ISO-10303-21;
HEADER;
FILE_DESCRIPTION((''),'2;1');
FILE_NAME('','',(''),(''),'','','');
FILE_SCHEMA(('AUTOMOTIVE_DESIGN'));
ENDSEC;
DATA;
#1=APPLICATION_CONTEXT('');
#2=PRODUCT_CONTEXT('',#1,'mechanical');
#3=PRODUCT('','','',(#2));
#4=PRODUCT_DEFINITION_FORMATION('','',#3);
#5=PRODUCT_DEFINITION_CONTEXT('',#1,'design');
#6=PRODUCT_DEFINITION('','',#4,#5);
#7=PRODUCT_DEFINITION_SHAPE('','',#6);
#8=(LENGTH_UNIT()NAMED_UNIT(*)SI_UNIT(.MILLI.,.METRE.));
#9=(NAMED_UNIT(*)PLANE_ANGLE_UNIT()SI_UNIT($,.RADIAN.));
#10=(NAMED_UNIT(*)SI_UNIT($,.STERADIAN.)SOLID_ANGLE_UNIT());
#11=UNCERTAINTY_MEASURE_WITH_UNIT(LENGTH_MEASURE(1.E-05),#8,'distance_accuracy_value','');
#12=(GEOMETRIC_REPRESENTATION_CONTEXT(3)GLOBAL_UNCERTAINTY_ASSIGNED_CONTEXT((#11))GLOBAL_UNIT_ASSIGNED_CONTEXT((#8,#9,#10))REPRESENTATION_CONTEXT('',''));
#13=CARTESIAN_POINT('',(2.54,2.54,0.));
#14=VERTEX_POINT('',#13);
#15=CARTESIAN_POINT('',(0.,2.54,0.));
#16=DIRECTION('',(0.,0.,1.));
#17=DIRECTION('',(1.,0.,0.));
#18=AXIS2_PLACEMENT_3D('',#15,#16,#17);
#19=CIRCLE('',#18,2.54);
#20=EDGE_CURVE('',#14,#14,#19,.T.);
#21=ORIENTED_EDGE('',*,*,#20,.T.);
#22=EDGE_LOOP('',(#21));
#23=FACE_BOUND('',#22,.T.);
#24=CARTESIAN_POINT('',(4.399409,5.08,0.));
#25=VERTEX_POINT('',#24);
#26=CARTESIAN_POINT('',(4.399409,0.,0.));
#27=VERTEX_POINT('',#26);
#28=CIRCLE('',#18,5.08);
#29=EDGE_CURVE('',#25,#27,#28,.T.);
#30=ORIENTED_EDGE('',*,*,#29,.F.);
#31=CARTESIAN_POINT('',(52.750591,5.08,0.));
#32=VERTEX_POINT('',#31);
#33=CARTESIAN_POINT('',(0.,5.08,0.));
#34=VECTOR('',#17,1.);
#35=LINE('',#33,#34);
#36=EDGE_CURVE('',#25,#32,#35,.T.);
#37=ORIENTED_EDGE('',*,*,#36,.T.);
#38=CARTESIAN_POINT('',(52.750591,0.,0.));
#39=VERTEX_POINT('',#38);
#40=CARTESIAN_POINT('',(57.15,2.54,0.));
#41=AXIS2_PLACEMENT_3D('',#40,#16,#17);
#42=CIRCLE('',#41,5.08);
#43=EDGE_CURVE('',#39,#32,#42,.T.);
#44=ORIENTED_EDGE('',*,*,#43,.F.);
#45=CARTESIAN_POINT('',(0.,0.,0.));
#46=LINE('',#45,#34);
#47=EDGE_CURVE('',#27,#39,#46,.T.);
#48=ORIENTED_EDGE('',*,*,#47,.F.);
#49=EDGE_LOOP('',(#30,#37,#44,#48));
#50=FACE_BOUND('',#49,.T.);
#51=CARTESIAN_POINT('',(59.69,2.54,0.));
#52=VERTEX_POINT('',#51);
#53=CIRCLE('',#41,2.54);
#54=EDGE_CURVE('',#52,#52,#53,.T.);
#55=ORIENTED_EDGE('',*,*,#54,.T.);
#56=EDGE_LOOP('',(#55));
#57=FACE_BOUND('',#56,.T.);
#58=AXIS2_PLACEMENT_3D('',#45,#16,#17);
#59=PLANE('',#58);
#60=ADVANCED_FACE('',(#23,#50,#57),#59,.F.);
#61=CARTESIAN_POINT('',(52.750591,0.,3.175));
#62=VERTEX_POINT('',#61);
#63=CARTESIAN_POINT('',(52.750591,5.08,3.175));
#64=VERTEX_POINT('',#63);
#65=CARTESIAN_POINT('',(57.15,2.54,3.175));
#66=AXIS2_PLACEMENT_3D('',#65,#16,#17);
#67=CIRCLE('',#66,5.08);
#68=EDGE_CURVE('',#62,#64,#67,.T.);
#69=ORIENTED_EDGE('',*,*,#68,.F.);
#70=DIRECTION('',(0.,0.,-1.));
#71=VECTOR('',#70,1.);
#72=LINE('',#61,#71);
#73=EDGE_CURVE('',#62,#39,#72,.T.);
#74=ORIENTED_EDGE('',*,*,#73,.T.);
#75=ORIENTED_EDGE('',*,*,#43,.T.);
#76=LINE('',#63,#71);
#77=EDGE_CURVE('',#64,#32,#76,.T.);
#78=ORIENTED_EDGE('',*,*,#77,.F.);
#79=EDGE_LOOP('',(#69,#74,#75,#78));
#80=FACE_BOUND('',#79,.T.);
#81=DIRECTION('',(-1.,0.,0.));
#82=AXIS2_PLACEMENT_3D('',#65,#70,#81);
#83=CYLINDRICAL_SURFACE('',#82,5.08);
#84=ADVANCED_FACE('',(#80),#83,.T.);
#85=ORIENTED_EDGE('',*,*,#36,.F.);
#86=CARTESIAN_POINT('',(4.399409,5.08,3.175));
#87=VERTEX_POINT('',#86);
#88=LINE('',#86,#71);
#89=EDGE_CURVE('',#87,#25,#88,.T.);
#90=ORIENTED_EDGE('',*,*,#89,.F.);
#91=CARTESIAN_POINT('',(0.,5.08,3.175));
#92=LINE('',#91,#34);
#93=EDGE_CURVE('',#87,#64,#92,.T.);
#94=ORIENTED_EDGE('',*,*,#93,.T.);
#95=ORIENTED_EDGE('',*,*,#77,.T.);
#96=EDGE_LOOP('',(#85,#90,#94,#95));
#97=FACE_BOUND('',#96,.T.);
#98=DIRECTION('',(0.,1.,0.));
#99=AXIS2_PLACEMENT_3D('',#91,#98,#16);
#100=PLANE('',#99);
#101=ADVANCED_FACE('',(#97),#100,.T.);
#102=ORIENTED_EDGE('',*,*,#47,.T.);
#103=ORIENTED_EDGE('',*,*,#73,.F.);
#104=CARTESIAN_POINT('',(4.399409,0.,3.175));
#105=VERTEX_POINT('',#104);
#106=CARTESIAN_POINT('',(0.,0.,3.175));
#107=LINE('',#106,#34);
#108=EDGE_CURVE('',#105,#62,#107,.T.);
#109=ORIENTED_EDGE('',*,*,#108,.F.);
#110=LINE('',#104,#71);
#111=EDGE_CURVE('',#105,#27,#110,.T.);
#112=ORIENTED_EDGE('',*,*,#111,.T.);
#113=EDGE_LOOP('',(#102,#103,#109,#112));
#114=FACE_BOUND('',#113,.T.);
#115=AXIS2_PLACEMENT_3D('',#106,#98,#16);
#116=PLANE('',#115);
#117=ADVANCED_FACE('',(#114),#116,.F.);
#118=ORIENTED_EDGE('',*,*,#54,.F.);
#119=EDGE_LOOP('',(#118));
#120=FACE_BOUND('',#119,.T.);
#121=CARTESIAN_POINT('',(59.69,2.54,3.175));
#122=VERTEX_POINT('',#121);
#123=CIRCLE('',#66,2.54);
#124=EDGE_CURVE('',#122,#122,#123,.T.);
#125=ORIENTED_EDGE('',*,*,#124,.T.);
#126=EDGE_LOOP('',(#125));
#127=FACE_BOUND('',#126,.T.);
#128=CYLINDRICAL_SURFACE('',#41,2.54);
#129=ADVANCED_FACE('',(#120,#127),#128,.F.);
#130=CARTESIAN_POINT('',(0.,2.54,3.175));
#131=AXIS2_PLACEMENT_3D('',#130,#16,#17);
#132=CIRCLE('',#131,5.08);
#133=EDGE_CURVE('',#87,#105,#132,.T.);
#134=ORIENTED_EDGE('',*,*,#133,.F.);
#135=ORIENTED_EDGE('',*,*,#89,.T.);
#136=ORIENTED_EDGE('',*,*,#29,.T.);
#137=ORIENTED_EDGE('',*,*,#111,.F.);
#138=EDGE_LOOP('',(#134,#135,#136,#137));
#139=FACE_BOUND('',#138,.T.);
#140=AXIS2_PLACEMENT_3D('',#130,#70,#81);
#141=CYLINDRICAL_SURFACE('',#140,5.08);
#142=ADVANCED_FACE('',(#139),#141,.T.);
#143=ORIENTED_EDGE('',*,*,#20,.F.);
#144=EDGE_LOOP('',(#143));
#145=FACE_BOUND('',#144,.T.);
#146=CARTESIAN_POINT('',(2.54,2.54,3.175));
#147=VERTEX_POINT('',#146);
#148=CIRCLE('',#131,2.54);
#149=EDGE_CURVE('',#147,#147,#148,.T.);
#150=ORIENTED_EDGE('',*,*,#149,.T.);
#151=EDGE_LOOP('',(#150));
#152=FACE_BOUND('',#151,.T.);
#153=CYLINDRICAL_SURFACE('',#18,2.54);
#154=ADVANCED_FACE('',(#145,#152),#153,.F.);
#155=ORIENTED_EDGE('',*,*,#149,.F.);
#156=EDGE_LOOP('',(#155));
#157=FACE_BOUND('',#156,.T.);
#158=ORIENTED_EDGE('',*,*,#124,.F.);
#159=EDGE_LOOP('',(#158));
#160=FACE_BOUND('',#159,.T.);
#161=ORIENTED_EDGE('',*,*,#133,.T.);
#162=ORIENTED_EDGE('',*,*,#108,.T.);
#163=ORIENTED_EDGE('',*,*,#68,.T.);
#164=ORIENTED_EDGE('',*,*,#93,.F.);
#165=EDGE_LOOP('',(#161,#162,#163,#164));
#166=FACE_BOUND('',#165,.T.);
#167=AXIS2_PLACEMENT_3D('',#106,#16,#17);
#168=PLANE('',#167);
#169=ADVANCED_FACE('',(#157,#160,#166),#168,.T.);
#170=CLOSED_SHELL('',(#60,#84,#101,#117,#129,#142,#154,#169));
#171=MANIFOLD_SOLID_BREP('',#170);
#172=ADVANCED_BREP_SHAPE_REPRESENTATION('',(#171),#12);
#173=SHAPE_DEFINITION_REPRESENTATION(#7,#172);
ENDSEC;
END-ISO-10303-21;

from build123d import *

# Parameters (mm, degrees)
BOSS_EXTRUDE1_DEPTH = 3.175
SKETCH2_R           = 2.54
CUT_EXTRUDE1_DEPTH  = 63.775137794


with BuildPart() as part:
    # Sketch1 → Boss-Extrude1 (new body)
    with BuildSketch(Plane.XY):
        with BuildLine():
            Line((0, 5.08), (0, 0))
            Line((0, 0), (4.399409051, 0))
            ThreePointArc((4.399409051, 0), (4.906903198, 1.225199251), (5.08, 2.54))
            ThreePointArc((5.08, 2.54), (4.906903198, 3.854800749), (4.399409051, 5.08))
            Line((4.399409051, 5.08), (0, 5.08))
        make_face()
        with BuildLine():
            Line((4.399409051, 0), (0, 0))
            Line((0, 0), (0, 5.08))
            Line((0, 5.08), (4.399409051, 5.08))
            ThreePointArc((4.399409051, 5.08), (-5.08, 2.54), (4.399409051, 0))
        make_face()
        with BuildLine():
            ThreePointArc((5.08, 2.54), (4.906903198, 1.225199251), (4.399409051, 0))
            Line((4.399409051, 0), (52.750590949, 0))
            ThreePointArc((52.750590949, 0), (52.07, 2.54), (52.750590949, 5.08))
            Line((52.750590949, 5.08), (4.399409051, 5.08))
            ThreePointArc((4.399409051, 5.08), (4.906903198, 3.854800749), (5.08, 2.54))
        make_face()
        with BuildLine():
            ThreePointArc((52.750590949, 5.08), (52.07, 2.54), (52.750590949, 0))
            Line((52.750590949, 0), (57.15, 0))
            Line((57.15, 0), (57.15, 5.08))
            Line((57.15, 5.08), (52.750590949, 5.08))
        make_face()
        with BuildLine():
            Line((57.15, 0), (52.750590949, 0))
            ThreePointArc((52.750590949, 0), (58.464800749, -2.366903198), (62.23, 2.54))
            ThreePointArc((62.23, 2.54), (58.464800749, 7.446903198), (52.750590949, 5.08))
            Line((52.750590949, 5.08), (57.15, 5.08))
            Line((57.15, 5.08), (57.15, 0))
        make_face()
    extrude(amount=BOSS_EXTRUDE1_DEPTH)

    # Sketch2 → Cut-Extrude1 (cut, through all)
    with BuildSketch(Plane.XY.offset(3.175)):
        with Locations((0, 2.54)):
            Circle(SKETCH2_R)
        with Locations((57.15, 2.54)):
            Circle(SKETCH2_R)
    extrude(amount=-CUT_EXTRUDE1_DEPTH, mode=Mode.SUBTRACT)


solid = part.part
